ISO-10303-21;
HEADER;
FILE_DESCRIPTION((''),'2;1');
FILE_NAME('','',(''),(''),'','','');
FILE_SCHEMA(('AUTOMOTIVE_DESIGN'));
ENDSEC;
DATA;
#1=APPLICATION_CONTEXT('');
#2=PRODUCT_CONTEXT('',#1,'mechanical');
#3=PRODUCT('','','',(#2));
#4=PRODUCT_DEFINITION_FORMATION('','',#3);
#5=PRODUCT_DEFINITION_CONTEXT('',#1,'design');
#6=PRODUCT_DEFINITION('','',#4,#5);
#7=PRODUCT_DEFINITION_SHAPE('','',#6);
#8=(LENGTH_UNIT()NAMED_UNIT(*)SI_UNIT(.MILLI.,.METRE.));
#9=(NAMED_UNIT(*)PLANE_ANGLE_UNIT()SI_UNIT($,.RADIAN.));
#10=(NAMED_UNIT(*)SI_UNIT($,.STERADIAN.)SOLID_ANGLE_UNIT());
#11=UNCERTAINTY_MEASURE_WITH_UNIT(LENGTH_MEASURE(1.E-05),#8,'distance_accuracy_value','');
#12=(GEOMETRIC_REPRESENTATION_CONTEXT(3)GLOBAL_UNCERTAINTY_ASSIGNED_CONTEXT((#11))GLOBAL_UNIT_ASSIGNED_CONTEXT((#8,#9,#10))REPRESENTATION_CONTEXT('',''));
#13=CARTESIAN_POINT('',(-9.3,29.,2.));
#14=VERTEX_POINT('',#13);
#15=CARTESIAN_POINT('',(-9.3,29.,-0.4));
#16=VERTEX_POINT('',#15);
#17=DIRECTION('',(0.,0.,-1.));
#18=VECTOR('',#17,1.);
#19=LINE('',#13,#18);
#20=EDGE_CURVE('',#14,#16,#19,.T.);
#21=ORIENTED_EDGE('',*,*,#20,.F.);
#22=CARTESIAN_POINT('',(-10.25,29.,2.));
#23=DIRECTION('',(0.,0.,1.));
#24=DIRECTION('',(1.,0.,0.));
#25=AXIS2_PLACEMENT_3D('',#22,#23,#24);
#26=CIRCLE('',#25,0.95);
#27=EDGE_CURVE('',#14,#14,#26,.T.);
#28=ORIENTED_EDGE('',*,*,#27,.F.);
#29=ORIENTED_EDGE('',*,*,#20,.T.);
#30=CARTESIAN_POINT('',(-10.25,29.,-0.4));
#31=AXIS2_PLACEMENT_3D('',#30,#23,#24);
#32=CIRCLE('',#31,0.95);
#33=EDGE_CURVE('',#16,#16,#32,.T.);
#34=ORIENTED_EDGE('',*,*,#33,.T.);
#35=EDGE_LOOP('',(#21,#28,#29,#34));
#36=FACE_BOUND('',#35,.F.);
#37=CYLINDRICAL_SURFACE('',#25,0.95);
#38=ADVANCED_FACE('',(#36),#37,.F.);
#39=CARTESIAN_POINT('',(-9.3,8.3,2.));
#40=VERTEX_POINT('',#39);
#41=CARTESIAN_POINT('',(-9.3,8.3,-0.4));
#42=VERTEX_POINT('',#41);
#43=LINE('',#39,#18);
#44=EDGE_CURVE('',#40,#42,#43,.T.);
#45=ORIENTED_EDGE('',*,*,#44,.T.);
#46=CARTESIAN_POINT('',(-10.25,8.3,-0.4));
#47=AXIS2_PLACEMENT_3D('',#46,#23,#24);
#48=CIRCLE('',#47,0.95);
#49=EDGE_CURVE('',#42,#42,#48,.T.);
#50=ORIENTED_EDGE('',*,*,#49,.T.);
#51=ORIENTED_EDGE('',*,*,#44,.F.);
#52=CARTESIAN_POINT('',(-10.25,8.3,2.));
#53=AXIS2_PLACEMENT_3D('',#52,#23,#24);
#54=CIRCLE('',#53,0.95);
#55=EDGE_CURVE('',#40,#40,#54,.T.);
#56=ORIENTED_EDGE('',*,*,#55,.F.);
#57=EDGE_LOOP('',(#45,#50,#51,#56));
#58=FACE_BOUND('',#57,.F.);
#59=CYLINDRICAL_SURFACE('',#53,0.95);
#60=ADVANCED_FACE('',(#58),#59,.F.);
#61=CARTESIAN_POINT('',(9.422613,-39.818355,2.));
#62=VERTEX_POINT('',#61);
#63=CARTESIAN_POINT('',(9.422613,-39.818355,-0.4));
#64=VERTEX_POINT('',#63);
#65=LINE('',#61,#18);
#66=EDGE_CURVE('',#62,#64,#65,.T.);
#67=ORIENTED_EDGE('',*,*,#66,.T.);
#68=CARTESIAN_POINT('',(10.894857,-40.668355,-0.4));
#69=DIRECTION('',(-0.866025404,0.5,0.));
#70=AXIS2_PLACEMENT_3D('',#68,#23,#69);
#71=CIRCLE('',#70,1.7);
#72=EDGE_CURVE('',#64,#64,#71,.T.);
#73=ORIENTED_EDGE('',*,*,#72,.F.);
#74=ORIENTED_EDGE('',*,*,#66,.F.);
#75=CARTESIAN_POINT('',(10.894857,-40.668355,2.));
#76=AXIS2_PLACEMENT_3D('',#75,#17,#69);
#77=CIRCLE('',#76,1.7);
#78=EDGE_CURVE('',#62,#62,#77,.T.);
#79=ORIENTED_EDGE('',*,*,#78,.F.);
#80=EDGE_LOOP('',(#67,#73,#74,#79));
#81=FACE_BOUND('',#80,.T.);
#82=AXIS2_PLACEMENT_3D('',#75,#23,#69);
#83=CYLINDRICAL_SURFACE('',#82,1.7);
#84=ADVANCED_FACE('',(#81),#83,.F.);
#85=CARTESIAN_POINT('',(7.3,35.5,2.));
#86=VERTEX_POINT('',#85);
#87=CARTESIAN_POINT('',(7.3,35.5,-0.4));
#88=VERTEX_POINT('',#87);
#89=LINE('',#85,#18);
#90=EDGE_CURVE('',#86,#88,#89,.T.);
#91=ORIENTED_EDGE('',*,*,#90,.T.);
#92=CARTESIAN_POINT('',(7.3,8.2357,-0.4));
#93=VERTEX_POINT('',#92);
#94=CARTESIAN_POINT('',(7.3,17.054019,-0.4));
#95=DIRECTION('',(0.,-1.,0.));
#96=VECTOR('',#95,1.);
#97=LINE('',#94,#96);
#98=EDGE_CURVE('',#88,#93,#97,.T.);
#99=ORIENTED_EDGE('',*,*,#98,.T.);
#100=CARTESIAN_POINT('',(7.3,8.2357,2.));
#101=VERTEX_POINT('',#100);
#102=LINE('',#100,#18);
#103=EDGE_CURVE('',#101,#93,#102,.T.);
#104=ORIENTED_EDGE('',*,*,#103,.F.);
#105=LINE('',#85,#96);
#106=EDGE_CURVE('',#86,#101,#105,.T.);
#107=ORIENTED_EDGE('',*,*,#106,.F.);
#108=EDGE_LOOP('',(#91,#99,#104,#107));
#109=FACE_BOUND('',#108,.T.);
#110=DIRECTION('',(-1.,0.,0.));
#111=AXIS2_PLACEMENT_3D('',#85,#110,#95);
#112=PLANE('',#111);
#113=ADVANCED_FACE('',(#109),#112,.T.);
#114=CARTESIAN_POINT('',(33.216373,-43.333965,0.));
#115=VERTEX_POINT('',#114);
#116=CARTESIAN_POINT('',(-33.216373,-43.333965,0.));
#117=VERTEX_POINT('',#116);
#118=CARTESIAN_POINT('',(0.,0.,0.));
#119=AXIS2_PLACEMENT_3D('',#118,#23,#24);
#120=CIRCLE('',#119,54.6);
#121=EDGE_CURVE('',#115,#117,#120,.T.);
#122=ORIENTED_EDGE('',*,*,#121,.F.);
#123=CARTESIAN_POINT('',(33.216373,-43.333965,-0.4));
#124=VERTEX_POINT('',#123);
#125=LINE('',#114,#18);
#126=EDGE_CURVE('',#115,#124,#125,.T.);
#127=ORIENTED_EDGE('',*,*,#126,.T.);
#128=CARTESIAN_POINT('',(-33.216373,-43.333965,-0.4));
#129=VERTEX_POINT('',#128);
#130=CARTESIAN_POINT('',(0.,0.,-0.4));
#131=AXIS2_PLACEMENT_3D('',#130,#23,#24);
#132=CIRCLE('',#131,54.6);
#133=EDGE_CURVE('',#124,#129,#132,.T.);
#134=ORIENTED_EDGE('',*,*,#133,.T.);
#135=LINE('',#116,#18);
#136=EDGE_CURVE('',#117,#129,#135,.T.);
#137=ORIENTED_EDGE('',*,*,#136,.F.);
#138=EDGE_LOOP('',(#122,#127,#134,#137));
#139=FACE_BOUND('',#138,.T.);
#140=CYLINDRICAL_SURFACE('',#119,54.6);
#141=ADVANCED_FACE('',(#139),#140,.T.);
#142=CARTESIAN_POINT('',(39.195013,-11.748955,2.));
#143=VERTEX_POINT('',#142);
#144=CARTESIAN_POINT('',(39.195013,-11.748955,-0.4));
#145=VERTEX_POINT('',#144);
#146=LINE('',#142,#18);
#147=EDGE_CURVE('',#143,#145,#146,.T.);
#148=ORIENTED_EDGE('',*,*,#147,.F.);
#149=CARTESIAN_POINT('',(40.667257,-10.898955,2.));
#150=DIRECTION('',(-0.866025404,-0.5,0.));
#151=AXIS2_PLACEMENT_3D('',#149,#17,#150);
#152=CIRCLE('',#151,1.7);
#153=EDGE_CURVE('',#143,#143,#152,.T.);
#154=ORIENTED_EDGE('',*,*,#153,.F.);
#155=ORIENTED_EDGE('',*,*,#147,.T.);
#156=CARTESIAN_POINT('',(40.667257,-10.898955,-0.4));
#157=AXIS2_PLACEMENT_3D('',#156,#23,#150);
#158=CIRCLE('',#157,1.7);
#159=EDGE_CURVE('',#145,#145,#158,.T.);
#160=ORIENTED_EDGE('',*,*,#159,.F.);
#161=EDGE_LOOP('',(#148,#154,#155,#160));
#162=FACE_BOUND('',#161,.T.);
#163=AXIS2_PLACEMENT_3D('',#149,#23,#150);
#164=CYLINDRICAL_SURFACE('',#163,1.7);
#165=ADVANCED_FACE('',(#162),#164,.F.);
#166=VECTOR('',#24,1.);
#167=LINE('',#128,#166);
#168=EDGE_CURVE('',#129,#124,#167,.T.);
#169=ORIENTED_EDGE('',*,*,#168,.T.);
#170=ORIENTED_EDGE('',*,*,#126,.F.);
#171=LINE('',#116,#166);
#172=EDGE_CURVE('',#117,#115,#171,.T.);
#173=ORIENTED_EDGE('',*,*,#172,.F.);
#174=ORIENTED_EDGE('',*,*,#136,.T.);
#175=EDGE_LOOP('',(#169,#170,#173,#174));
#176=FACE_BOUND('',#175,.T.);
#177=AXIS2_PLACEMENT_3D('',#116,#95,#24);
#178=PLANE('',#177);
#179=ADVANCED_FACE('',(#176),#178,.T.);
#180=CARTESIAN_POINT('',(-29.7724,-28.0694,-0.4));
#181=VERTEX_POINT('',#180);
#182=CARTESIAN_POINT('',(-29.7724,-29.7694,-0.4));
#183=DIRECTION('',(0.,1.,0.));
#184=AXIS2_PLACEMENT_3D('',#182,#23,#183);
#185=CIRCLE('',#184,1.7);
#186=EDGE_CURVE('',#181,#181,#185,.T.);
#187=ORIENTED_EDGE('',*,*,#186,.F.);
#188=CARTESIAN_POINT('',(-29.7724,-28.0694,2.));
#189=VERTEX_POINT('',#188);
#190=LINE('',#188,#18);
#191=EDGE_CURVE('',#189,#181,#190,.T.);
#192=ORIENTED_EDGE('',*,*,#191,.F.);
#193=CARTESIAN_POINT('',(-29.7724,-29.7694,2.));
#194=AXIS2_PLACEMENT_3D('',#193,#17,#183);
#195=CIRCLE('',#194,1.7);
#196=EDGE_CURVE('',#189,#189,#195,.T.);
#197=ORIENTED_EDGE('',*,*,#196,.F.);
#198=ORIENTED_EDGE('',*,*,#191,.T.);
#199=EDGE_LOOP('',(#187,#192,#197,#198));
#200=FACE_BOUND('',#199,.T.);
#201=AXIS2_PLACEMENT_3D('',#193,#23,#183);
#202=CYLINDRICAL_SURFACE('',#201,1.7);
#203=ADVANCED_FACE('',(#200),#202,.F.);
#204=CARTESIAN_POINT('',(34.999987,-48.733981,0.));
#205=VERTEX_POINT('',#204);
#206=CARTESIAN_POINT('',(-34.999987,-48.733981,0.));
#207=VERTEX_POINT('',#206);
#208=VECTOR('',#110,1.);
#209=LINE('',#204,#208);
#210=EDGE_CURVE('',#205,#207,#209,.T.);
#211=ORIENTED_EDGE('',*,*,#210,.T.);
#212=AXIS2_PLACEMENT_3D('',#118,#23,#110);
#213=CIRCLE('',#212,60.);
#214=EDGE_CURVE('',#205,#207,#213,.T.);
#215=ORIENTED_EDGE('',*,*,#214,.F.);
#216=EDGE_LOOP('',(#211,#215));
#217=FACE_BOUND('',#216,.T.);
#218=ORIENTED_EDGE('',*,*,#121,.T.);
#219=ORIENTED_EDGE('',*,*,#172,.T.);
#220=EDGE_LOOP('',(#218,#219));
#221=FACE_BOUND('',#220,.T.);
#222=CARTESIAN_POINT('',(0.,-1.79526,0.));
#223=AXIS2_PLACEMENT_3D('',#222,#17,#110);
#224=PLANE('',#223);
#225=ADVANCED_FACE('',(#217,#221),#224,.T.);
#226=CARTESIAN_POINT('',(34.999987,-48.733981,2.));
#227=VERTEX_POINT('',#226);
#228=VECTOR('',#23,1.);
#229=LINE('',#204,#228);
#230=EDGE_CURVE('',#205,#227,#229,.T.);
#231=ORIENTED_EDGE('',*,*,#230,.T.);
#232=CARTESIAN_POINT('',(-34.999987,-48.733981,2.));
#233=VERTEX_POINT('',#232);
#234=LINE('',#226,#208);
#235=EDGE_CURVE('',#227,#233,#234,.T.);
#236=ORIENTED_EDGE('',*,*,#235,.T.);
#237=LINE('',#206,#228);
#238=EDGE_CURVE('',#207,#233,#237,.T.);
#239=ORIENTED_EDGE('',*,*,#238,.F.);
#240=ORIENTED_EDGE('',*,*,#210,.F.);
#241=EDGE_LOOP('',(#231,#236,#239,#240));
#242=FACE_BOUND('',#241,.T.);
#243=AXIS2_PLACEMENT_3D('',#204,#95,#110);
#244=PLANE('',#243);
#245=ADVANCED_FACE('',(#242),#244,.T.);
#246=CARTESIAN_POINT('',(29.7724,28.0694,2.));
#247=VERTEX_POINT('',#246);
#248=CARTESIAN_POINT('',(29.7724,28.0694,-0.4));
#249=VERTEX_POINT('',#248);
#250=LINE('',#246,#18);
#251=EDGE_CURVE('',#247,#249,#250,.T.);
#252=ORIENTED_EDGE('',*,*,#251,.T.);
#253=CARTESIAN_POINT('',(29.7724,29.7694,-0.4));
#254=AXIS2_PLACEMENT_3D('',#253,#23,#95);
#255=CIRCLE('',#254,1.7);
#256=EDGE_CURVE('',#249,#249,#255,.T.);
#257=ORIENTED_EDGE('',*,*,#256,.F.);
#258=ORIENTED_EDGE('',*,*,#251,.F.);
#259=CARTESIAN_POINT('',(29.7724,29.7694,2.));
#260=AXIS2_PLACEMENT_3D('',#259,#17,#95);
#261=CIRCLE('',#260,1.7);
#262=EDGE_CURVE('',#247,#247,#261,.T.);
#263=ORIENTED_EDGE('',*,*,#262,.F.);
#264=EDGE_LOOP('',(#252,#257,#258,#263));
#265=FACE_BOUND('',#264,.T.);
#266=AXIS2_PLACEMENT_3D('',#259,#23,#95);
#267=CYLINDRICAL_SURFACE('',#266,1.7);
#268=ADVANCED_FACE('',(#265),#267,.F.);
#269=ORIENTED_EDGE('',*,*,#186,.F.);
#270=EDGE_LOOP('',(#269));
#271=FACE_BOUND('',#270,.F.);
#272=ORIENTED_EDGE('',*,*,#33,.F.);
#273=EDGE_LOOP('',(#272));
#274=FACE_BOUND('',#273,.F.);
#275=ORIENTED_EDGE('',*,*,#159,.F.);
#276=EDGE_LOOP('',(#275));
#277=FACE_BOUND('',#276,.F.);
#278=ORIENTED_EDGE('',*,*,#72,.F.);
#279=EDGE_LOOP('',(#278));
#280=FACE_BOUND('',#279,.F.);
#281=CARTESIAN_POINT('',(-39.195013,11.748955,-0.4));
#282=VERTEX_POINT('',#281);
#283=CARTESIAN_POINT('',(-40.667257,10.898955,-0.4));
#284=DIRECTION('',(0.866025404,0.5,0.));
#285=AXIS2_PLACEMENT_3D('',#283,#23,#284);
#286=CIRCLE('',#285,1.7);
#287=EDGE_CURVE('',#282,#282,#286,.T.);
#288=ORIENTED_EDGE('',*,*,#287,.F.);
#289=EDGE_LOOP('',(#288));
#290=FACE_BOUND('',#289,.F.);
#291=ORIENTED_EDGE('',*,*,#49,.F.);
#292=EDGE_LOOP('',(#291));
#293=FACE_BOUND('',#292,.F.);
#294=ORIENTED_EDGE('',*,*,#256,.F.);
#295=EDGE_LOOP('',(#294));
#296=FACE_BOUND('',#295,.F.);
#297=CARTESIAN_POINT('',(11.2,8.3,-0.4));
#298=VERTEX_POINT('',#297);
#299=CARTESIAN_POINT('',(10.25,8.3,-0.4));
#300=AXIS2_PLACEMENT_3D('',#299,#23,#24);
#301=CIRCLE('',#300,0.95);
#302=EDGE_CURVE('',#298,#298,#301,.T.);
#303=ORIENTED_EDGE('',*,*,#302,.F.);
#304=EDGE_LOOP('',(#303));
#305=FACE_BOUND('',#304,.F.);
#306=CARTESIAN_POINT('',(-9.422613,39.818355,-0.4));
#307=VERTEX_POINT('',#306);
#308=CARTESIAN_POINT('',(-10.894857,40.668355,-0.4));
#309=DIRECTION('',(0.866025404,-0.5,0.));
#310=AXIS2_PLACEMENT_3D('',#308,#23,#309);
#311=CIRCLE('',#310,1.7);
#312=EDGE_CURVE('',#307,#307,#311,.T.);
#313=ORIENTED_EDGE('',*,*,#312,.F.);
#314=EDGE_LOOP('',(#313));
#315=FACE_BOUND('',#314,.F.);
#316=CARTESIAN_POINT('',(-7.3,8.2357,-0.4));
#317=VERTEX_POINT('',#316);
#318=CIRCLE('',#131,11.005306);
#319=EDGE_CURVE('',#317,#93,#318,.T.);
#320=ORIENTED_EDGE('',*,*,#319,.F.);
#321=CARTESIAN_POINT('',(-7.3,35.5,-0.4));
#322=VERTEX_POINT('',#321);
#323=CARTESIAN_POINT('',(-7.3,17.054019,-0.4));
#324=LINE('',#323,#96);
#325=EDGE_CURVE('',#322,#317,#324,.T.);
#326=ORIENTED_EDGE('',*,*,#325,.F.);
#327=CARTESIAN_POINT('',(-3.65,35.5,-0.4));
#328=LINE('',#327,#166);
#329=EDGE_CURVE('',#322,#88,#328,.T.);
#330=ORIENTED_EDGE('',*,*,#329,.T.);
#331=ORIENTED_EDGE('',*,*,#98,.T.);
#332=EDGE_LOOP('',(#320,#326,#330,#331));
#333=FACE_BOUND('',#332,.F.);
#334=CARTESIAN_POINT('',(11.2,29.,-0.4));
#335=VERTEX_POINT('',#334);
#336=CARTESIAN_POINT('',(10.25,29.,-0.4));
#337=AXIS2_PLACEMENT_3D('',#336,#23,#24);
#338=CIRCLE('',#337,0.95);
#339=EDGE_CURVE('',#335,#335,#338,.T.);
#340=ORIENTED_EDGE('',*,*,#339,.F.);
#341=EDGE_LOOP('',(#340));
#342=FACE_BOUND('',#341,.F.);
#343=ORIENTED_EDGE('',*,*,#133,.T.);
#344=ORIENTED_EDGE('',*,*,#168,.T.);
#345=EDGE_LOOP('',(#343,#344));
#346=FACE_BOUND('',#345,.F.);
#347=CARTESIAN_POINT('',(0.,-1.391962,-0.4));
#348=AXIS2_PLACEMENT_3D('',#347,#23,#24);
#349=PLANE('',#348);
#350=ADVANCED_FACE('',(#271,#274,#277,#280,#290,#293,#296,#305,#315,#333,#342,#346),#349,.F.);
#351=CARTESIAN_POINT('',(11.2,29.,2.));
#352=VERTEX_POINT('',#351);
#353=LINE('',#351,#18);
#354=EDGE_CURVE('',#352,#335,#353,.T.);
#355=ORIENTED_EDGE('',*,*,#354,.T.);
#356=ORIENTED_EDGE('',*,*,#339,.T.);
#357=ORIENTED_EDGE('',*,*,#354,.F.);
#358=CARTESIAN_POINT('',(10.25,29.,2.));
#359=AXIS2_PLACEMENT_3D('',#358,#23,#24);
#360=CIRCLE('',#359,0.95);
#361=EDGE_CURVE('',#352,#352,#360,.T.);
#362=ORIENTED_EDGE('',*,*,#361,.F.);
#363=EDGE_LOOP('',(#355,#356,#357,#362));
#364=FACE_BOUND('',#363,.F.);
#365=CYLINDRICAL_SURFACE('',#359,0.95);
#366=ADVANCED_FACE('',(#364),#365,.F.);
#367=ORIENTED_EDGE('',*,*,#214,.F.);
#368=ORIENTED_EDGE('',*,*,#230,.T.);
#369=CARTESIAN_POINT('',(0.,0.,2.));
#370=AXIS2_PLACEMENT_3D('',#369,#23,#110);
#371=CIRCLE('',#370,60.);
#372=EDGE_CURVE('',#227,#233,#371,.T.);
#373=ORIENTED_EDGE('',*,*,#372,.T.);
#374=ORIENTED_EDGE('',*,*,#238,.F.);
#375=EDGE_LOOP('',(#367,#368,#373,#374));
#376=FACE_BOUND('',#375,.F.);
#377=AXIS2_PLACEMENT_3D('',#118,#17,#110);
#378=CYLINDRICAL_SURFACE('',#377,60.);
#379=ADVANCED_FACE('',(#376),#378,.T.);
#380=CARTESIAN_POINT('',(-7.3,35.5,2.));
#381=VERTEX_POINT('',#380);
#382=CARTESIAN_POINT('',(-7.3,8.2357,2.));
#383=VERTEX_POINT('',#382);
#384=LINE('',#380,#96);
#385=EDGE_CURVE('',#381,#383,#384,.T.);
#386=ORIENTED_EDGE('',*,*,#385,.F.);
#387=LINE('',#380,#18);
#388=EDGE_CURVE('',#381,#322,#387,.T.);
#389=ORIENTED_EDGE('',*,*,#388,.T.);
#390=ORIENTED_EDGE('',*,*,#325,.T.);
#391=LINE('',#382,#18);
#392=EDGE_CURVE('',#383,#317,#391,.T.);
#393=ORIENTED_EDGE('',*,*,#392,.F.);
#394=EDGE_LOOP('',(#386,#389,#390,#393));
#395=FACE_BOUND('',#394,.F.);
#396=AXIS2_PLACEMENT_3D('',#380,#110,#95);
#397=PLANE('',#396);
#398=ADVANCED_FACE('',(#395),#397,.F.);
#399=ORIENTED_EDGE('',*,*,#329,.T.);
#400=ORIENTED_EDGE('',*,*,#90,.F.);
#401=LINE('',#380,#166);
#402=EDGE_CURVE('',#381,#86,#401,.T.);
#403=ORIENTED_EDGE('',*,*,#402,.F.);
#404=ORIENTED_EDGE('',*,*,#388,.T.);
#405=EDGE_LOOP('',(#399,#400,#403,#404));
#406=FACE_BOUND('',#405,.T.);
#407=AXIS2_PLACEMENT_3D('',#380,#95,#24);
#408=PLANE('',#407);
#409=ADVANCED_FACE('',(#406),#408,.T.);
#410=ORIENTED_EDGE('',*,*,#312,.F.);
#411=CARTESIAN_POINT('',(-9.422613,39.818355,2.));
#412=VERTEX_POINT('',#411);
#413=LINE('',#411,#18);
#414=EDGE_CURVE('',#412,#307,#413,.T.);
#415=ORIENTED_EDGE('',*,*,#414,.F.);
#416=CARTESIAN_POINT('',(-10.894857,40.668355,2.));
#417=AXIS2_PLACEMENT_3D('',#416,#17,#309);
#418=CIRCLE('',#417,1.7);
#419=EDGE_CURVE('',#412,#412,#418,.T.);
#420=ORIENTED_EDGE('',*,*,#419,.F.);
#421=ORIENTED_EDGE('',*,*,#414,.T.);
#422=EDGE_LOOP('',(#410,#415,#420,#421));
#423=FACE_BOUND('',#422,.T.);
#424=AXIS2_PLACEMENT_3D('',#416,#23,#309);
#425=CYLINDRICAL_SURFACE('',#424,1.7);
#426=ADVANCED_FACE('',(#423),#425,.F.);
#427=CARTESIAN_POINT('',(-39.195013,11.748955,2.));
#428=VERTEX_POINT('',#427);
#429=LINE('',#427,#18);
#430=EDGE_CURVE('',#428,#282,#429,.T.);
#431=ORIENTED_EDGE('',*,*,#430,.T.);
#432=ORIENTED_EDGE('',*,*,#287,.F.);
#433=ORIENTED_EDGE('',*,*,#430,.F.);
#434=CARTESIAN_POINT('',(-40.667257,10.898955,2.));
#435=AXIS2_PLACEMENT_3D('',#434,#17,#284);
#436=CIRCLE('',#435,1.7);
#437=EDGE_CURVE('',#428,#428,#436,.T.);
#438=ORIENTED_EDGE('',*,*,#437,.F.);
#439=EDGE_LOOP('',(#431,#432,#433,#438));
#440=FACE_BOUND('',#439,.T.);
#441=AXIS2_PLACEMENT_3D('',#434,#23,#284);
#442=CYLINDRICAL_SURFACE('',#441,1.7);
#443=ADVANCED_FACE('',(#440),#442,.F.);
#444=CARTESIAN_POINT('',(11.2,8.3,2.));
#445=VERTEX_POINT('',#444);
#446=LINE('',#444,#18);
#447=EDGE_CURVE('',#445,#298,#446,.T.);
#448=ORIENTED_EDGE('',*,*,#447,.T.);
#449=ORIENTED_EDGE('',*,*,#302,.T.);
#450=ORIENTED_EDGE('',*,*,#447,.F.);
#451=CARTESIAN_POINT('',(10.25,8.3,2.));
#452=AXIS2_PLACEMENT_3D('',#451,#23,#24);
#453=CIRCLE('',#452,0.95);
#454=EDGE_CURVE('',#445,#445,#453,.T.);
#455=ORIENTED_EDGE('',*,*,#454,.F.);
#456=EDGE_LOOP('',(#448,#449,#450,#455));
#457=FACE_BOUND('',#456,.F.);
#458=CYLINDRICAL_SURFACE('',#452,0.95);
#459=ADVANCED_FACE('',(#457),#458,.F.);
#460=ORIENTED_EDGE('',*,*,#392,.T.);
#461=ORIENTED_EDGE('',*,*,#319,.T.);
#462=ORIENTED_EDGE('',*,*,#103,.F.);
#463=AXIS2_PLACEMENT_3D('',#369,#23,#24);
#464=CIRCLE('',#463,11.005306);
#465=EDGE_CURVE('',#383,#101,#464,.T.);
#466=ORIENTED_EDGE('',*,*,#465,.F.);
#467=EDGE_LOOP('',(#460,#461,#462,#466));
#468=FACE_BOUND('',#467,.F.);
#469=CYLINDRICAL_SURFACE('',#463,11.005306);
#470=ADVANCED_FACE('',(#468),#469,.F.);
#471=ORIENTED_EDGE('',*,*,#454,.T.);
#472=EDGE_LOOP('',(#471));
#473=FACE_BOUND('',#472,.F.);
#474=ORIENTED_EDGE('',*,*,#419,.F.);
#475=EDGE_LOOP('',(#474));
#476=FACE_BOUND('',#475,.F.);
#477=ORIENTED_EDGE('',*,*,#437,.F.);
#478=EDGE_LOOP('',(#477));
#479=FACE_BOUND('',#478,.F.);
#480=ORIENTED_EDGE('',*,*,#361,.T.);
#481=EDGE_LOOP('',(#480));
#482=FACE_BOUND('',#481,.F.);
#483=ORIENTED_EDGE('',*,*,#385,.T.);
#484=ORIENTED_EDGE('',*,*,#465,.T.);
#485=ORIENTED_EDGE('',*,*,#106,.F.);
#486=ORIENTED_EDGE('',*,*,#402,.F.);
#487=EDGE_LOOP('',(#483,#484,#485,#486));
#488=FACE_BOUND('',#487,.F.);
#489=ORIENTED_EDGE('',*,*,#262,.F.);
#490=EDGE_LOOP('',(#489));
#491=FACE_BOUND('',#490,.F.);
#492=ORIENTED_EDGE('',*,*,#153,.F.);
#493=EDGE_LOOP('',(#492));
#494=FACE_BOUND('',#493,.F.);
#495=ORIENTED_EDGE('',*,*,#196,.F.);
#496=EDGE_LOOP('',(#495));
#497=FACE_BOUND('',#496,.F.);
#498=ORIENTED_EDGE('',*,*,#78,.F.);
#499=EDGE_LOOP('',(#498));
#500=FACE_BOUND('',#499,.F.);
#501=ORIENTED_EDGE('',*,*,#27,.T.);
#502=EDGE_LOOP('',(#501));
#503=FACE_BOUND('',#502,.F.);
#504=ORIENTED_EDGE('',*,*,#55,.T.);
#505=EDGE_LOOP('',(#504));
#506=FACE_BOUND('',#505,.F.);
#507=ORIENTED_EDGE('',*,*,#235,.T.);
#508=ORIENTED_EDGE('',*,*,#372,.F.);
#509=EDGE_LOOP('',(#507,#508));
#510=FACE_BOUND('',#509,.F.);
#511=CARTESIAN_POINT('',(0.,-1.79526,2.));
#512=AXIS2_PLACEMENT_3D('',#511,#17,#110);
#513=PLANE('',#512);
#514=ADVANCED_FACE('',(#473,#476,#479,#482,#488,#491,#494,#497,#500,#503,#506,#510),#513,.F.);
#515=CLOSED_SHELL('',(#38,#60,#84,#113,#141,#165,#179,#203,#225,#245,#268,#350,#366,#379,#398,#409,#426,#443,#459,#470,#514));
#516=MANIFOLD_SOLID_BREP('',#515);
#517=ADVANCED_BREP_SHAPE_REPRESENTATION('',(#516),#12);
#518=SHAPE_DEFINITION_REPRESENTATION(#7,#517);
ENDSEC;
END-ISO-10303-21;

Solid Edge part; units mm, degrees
sketch "Sketch1" plane through (0, 0, 0) normal (0, 0, 1) x (1, 0, 0)
  line L0 (-33.2164, -43.334) -> (33.2164, -43.334)
  arc A0 (33.2164, -43.334) -> (-33.2164, -43.334) centre (0, 0) ccw
extrude "Protrusion1" add sketch "Sketch1" against normal blind 0.4
sketch "Sketch2" plane through (0, 9.1432, 0) normal (0, 0, 1) x (-1, 0, 0)
  line L0 (-35, 57.8772) -> (35, 57.8772)
  arc A0 (-35, 57.8772) -> (35, 57.8772) centre (0, 9.1432) ccw
extrude "Protrusion2" add sketch "Sketch2" along normal blind 2
sketch "Sketch3" plane through (0, 8.1307, 2) normal (0, 0, 1) x (1, 0, 0)
  line L0 (-7.3, 27.3693) -> (7.3, 27.3693)
  line L1 (7.3, 27.3693) -> (7.3, 0.105)
  arc A0 (-7.3, 0.105) -> (7.3, 0.105) centre (0, -8.1307) ccw
  line L2 (-7.3, 27.3693) -> (-7.3, 0.105)
  circle A1 centre (10.25, 0.1693) radius 0.95
  circle A2 centre (10.25, 20.8693) radius 0.95
  circle A3 centre (-10.25, 20.8693) radius 0.95
  circle A4 centre (-10.25, 0.1693) radius 0.95
extrude "Cutout1" cut sketch "Sketch3" against normal through all
hole "Hole1" at (29.7724, 29.7694, 2) direction (0, 0, -1) diameter 3.4 end up to next
pattern_circular "Pattern1" count 6 over 360 about axis through (0, 0, 2) along (0, 0, -1) of "Hole1"
